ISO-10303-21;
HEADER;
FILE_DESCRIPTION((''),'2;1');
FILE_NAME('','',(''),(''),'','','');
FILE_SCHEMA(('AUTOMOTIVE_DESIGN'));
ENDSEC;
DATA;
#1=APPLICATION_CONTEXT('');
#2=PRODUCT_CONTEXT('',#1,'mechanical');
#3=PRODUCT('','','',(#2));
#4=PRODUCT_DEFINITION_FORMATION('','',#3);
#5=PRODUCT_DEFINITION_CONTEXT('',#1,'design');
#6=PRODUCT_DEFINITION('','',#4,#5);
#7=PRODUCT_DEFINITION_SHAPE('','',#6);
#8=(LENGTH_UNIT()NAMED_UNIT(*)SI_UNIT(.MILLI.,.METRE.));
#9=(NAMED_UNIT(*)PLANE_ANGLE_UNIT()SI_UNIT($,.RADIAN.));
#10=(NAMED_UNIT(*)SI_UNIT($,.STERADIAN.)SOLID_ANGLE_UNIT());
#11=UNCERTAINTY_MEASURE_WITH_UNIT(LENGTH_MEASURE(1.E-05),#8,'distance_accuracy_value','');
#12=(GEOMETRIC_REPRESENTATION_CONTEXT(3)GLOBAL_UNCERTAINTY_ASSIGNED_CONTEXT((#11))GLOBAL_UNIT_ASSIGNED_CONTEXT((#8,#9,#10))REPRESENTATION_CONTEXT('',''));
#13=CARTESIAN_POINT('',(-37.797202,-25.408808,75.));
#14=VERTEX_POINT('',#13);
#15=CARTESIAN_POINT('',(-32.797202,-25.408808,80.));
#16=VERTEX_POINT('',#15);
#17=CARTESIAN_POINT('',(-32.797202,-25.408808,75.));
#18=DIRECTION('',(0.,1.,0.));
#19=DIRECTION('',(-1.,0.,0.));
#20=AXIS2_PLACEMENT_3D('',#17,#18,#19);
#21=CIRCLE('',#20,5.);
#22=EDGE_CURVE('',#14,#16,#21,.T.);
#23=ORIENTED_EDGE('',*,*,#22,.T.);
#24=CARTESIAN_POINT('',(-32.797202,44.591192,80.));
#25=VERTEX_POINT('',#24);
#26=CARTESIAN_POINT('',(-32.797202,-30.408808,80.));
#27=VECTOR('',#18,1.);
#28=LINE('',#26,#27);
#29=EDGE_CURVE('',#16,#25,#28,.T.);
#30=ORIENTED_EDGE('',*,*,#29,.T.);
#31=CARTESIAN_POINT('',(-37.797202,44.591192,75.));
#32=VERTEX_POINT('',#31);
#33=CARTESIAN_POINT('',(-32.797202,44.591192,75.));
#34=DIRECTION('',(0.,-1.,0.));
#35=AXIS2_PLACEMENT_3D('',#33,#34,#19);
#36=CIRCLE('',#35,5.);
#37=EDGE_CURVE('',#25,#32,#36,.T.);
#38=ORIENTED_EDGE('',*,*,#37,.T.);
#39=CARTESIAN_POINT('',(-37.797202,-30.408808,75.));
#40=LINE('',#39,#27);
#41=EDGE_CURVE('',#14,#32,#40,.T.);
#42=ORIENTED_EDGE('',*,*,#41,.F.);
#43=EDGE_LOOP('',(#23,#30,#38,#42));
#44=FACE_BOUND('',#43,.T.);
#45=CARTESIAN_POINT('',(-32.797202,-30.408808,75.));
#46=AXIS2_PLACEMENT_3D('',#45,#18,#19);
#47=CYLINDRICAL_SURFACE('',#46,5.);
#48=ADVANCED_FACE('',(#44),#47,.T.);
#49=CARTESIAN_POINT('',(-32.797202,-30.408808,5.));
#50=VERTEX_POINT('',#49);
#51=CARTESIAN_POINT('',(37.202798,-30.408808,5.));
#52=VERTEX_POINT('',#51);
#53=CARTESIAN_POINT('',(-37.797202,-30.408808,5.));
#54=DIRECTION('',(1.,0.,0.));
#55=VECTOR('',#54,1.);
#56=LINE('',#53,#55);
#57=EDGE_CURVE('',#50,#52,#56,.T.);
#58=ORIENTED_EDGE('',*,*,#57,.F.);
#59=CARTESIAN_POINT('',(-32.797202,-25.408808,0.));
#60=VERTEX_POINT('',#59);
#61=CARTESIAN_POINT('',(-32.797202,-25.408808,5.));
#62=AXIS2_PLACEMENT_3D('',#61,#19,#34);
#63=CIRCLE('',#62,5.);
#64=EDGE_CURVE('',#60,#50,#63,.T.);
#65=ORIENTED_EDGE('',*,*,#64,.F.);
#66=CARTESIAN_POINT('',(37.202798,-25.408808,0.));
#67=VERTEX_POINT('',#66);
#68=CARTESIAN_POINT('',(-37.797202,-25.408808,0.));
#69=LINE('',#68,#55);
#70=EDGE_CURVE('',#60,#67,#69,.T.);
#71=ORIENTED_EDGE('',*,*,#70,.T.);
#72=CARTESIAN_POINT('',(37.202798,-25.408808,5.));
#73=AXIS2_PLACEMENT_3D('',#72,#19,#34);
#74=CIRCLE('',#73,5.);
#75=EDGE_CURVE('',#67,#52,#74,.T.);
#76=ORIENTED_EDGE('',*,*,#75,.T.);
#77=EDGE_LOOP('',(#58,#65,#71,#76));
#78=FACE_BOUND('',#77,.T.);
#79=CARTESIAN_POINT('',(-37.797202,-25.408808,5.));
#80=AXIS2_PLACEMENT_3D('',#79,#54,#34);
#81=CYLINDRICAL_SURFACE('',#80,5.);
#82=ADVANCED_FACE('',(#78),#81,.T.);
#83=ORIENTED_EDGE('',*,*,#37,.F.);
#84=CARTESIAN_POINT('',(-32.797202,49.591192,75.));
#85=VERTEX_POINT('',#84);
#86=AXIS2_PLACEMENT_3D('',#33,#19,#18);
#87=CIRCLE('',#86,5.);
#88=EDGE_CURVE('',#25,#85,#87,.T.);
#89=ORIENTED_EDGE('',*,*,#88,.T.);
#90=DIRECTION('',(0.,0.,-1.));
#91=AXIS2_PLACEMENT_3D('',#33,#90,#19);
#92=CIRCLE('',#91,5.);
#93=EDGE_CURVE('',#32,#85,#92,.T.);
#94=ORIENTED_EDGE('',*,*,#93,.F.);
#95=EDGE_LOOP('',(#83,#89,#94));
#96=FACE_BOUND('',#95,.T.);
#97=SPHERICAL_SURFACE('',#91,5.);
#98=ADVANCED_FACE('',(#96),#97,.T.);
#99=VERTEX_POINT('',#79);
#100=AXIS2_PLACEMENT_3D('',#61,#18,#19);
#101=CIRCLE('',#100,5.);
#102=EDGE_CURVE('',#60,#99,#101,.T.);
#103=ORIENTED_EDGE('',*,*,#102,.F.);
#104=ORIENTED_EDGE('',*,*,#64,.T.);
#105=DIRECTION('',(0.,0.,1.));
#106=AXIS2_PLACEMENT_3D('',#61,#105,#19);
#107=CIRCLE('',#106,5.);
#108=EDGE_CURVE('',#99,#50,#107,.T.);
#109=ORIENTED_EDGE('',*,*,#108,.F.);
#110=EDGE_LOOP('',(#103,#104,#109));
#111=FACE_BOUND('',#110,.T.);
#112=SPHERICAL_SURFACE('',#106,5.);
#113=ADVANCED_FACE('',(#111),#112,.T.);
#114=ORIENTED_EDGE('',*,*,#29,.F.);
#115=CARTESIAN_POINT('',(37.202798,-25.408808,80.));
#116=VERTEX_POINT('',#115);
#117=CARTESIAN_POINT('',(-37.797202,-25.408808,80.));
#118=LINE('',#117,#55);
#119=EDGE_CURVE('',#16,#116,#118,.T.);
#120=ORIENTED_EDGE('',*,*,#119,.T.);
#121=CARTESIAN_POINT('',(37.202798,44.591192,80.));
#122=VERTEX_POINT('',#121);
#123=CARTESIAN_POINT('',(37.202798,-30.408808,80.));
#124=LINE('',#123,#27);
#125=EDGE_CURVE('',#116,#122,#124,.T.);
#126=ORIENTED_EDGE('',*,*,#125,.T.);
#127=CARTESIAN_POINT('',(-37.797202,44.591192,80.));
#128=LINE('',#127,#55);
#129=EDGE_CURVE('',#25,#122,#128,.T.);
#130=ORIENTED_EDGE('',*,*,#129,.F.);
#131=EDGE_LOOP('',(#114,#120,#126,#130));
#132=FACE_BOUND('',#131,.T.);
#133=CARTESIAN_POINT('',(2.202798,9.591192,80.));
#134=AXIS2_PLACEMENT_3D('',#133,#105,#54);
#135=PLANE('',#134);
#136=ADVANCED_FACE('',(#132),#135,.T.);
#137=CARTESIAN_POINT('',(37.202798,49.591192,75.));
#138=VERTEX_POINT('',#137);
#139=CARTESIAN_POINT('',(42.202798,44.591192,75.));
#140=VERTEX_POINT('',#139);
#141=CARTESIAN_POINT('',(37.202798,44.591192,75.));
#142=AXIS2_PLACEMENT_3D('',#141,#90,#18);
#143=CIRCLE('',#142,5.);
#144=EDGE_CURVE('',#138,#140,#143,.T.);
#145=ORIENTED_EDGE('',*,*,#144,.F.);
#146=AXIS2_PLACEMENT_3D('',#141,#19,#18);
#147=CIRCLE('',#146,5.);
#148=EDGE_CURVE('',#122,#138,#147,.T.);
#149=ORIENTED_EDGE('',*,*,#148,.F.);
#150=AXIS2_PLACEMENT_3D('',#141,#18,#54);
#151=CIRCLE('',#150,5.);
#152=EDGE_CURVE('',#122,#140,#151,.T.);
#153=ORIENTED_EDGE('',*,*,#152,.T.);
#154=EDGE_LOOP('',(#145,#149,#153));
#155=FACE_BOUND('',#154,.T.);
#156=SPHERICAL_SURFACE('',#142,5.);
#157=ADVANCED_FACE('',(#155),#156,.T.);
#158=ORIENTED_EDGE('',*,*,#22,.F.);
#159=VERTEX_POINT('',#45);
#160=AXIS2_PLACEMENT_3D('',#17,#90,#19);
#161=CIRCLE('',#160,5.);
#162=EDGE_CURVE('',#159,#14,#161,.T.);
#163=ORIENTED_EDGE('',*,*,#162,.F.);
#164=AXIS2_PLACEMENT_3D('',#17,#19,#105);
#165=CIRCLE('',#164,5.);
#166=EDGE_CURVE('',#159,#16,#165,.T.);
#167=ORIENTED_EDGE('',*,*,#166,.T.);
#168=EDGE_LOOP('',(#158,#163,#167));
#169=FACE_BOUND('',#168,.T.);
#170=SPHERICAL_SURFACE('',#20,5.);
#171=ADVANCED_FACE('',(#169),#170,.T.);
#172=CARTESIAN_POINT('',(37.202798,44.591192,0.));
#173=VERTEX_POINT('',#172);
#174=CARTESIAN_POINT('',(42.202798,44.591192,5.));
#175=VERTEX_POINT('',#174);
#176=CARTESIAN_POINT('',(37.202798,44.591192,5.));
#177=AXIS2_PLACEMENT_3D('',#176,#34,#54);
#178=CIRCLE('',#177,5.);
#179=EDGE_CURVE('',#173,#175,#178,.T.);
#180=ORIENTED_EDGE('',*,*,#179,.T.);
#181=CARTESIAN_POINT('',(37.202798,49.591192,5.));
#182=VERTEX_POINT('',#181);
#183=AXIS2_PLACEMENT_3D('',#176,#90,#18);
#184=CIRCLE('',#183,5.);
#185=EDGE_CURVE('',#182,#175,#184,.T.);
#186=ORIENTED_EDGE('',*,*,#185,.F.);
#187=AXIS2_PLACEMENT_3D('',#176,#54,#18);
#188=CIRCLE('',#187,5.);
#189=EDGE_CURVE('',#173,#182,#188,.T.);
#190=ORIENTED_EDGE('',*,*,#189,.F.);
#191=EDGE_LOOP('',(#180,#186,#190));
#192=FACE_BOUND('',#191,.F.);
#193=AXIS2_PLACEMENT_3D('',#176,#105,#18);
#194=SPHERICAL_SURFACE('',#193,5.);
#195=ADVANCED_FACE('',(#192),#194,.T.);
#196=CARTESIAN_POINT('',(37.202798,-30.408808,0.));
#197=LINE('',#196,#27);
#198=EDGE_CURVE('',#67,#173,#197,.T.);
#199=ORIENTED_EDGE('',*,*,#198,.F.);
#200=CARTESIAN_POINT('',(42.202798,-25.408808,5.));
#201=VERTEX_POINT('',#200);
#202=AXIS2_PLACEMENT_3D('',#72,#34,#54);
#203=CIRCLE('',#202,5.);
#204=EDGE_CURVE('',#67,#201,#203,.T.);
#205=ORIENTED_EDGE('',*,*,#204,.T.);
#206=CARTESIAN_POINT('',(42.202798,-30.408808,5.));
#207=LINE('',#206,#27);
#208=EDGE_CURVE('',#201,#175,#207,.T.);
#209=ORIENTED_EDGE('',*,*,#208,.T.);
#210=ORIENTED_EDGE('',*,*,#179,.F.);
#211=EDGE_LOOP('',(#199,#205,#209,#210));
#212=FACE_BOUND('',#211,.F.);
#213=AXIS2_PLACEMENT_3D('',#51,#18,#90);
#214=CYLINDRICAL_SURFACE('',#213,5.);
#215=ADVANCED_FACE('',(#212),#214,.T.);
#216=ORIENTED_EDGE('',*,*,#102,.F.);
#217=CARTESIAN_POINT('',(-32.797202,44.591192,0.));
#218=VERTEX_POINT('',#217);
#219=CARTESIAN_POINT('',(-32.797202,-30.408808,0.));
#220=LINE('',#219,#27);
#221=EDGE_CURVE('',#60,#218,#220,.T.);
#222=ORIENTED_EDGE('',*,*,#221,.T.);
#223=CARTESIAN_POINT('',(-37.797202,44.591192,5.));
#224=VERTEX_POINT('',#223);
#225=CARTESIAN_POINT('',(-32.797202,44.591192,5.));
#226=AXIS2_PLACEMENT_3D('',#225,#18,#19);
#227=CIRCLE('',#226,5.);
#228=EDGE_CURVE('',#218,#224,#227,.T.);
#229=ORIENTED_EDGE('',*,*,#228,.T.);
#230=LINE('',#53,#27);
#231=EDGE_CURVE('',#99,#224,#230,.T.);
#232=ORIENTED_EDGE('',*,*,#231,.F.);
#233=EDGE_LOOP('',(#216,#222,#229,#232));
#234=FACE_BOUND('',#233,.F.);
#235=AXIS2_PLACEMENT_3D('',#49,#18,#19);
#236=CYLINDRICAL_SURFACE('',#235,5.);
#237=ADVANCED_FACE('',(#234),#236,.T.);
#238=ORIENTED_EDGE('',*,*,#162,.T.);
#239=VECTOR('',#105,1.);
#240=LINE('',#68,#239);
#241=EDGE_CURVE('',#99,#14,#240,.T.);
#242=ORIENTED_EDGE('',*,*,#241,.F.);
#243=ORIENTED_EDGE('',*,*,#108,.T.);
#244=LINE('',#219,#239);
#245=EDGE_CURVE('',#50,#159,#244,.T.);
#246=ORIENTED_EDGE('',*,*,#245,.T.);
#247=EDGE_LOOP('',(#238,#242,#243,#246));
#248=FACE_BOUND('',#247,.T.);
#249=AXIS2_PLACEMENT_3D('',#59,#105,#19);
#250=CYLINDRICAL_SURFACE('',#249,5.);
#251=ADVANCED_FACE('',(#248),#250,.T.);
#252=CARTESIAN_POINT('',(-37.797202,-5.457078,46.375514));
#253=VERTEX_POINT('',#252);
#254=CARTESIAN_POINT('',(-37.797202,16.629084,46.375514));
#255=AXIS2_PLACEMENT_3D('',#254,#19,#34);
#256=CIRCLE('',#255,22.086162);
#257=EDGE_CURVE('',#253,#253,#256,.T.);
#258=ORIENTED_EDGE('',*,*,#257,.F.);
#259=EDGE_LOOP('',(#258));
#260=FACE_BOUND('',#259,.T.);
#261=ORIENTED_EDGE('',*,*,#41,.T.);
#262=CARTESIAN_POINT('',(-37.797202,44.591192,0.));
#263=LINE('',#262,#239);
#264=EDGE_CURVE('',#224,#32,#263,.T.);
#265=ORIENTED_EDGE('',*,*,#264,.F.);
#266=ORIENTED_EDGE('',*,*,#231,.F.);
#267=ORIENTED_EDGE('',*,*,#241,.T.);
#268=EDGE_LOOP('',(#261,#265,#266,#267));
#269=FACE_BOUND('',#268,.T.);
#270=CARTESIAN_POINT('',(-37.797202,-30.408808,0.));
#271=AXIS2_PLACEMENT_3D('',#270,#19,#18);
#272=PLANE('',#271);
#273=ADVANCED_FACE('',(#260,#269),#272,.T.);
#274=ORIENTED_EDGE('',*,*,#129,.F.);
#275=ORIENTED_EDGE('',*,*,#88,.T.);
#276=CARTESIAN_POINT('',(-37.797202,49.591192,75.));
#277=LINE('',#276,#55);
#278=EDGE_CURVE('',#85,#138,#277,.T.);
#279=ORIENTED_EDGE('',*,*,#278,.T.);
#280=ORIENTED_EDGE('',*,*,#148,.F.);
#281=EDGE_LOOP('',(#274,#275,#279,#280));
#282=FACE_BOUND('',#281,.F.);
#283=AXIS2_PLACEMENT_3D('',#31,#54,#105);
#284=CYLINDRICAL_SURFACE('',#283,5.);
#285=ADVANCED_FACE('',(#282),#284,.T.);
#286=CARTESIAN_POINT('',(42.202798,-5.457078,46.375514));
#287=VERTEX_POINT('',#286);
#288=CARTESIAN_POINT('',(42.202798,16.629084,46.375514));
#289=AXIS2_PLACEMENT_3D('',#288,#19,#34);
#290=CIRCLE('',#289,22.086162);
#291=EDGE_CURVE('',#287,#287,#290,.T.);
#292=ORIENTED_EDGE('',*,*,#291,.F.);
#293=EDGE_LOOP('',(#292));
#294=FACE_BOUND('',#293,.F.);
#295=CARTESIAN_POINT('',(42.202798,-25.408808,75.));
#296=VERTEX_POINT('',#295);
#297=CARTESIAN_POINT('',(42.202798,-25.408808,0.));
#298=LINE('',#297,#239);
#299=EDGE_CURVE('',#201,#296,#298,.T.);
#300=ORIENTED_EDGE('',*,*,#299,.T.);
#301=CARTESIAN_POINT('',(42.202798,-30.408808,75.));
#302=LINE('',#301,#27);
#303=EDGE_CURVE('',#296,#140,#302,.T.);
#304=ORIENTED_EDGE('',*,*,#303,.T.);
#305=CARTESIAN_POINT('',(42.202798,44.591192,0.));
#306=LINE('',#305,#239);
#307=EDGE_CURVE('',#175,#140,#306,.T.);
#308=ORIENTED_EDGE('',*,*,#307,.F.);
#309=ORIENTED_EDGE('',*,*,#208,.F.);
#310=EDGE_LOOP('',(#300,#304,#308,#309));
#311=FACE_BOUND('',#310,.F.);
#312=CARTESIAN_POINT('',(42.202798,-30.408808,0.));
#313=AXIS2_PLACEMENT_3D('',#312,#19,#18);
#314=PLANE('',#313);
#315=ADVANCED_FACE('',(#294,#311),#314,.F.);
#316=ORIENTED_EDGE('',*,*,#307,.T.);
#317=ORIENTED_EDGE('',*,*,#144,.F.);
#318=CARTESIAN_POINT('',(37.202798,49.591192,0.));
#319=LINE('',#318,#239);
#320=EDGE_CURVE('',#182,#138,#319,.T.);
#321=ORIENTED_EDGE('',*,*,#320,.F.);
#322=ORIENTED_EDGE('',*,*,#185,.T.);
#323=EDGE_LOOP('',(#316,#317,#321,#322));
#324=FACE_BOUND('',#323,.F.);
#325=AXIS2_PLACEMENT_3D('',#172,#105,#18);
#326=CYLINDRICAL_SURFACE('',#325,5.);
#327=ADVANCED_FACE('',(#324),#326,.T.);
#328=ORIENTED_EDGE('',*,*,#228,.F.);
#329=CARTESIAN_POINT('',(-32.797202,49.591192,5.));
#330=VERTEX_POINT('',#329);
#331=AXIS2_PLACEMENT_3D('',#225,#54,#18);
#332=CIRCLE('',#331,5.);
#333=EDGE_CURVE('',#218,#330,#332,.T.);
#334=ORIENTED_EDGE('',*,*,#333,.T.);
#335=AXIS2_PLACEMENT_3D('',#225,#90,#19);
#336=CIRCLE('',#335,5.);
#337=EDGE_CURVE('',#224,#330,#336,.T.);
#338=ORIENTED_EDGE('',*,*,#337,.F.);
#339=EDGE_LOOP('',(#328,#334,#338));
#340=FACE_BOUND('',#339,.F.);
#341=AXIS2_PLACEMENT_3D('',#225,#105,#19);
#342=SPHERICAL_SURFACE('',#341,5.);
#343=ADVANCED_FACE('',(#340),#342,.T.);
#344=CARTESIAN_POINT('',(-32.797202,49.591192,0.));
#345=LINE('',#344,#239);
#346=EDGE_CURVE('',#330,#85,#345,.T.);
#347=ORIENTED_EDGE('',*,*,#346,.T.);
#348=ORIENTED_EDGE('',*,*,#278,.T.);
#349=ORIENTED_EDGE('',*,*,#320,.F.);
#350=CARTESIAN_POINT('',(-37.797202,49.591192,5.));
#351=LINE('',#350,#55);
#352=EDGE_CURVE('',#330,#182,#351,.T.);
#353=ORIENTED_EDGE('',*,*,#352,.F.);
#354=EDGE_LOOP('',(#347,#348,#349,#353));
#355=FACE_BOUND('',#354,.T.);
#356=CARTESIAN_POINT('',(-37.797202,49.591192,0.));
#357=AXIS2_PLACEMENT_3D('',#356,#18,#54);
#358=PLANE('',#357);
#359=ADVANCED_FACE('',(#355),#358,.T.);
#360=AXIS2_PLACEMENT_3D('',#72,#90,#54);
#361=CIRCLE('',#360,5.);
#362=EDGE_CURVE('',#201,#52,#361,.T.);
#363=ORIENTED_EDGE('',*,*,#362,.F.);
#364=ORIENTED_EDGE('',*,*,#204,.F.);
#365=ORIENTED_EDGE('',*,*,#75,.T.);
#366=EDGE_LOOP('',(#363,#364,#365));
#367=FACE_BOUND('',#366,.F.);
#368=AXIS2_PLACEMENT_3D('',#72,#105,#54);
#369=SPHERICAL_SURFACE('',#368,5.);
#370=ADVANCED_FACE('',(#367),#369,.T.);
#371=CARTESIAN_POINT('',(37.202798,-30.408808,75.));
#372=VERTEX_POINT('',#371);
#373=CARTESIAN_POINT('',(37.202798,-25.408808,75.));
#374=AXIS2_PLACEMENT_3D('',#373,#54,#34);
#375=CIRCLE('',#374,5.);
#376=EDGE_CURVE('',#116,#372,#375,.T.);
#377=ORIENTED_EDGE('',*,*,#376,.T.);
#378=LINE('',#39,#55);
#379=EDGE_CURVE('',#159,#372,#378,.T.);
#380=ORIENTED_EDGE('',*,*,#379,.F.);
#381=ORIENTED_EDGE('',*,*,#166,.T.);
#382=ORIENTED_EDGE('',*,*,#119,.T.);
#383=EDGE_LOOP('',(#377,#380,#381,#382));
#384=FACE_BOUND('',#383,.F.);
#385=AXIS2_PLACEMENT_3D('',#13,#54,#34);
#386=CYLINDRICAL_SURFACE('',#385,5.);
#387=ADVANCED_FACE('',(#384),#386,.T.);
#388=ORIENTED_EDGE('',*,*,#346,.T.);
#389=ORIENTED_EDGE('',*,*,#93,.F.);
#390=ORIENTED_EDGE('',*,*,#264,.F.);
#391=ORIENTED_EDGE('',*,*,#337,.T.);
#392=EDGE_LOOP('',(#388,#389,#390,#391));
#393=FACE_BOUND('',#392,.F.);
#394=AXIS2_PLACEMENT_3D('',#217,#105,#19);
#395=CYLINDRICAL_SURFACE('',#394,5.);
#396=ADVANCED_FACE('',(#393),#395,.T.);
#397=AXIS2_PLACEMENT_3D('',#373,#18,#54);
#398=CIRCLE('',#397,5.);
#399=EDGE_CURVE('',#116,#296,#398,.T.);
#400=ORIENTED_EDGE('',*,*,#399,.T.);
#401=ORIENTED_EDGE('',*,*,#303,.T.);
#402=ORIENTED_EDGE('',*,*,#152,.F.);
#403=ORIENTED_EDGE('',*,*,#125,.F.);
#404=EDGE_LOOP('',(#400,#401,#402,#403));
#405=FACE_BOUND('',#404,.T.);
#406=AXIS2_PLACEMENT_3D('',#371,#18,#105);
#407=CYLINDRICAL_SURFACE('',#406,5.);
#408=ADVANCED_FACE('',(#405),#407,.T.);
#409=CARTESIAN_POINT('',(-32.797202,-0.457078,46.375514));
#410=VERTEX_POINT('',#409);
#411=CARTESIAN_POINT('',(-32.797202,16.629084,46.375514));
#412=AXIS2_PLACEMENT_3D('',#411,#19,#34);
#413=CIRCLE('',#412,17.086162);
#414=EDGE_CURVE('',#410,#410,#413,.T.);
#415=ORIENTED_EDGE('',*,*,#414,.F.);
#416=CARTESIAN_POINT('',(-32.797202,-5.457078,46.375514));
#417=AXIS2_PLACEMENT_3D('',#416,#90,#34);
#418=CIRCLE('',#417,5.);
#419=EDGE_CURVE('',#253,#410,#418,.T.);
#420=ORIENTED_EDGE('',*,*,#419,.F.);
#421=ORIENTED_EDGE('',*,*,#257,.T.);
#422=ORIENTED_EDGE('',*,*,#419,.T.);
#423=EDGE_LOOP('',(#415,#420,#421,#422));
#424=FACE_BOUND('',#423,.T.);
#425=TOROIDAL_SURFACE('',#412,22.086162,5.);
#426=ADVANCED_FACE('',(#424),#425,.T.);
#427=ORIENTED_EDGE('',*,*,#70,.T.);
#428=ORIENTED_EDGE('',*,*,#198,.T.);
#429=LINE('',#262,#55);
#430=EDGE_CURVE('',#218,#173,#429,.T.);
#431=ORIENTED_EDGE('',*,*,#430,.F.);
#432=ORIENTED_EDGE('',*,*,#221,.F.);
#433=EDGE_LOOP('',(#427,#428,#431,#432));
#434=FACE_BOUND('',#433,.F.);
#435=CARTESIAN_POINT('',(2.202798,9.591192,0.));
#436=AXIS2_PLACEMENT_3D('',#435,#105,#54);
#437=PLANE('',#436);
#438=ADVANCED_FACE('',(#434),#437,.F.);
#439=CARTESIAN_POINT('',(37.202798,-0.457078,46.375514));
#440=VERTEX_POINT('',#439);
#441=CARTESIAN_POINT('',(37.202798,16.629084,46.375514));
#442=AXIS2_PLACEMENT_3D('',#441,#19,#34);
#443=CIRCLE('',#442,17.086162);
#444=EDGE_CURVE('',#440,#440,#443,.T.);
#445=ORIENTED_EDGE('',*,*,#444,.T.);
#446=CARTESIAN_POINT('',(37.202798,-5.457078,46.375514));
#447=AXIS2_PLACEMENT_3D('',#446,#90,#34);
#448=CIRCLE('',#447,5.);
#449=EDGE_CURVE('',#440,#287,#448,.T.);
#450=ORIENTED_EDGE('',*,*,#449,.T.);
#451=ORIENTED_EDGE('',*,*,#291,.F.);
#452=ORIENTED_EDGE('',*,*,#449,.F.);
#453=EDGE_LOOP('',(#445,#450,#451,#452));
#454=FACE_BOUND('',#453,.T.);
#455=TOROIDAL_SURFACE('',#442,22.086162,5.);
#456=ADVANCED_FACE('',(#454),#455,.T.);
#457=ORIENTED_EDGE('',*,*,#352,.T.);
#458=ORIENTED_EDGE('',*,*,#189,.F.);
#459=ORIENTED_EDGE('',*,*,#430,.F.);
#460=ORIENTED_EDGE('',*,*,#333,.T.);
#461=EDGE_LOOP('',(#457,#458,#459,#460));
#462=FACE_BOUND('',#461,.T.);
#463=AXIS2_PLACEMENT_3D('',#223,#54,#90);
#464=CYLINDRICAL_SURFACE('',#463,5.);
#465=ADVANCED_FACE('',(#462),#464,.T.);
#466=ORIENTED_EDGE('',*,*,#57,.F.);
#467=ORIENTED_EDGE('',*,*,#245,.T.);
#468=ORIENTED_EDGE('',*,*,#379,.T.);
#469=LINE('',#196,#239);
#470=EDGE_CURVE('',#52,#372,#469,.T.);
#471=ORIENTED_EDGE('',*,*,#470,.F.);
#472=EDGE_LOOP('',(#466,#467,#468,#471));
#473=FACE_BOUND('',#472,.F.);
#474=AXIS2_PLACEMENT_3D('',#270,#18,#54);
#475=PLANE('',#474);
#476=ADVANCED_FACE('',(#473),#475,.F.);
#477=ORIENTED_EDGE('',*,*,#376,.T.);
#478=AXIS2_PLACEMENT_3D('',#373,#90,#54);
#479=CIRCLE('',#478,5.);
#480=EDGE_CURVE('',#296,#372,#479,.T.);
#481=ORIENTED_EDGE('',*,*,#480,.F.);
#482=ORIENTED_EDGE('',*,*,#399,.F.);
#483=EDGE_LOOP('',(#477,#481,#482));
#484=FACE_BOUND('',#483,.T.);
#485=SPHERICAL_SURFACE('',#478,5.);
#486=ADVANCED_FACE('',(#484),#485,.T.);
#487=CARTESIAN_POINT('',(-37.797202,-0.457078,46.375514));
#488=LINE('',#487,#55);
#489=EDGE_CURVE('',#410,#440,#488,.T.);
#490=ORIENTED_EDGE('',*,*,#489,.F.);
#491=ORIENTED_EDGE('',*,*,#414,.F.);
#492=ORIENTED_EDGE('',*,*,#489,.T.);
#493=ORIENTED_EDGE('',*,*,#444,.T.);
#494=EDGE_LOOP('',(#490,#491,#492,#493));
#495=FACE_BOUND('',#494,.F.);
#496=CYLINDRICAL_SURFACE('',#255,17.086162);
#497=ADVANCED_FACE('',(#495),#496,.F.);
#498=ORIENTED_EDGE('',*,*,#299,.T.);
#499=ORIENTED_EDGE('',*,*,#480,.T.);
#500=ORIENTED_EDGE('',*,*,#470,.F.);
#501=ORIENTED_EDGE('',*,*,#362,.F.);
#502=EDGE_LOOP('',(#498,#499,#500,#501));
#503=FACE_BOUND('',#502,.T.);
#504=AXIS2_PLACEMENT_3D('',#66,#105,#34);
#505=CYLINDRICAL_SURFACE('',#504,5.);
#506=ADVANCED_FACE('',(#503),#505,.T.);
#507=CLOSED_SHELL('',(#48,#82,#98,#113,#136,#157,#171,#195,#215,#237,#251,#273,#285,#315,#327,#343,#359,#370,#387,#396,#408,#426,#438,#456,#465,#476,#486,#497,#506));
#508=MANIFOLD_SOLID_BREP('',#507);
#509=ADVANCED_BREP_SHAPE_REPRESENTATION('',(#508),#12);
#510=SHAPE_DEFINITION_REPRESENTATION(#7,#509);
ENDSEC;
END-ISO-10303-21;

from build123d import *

# Parameters (mm, degrees)
F0_W     = 80
F0_H     = 80
F1_DEPTH = 80
F2_R     = 17.08616193
F3_DEPTH = 80.001
F4_R     = 5


with BuildPart() as f1:
    # F0 (on Top) → F1 (new body)
    with BuildSketch(Plane.XY):
        with Locations((2.2027976811, 9.5911924709)):
            Rectangle(F0_W, F0_H)
    extrude(amount=F1_DEPTH)

    # F2 (on face) → F3 (cut, through all)
    with BuildSketch(Plane(origin=(-37.7972023189, 0, 0), x_dir=(0, -1, 0), z_dir=(-1, 0, 0))):
        with Locations((-16.629083944, 46.3755141786)):
            Circle(F2_R)
    extrude(amount=-F3_DEPTH, mode=Mode.SUBTRACT)

    # F4
    f4_edges = [f1.edges().sort_by_distance(p)[0] for p in [
        (-37.797202, 49.591192, 40),
        (-37.797202, 9.591192, 80),
        (-37.797202, -30.408808, 40),
        (-37.797202, 9.591192, 0),
        (-37.797202, 33.715246, 46.375514),
        (42.202798, 49.591192, 40),
        (2.202798, 49.591192, 0),
        (2.202798, 49.591192, 80),
        (42.202798, -30.408808, 40),
        (42.202798, 9.591192, 80),
        (42.202798, 9.591192, 0),
        (42.202798, 33.715246, 46.375514),
        (2.202798, -30.408808, 0),
        (2.202798, -30.408808, 80),
    ]]
    fillet(f4_edges, radius=F4_R)


solid = f1.part
